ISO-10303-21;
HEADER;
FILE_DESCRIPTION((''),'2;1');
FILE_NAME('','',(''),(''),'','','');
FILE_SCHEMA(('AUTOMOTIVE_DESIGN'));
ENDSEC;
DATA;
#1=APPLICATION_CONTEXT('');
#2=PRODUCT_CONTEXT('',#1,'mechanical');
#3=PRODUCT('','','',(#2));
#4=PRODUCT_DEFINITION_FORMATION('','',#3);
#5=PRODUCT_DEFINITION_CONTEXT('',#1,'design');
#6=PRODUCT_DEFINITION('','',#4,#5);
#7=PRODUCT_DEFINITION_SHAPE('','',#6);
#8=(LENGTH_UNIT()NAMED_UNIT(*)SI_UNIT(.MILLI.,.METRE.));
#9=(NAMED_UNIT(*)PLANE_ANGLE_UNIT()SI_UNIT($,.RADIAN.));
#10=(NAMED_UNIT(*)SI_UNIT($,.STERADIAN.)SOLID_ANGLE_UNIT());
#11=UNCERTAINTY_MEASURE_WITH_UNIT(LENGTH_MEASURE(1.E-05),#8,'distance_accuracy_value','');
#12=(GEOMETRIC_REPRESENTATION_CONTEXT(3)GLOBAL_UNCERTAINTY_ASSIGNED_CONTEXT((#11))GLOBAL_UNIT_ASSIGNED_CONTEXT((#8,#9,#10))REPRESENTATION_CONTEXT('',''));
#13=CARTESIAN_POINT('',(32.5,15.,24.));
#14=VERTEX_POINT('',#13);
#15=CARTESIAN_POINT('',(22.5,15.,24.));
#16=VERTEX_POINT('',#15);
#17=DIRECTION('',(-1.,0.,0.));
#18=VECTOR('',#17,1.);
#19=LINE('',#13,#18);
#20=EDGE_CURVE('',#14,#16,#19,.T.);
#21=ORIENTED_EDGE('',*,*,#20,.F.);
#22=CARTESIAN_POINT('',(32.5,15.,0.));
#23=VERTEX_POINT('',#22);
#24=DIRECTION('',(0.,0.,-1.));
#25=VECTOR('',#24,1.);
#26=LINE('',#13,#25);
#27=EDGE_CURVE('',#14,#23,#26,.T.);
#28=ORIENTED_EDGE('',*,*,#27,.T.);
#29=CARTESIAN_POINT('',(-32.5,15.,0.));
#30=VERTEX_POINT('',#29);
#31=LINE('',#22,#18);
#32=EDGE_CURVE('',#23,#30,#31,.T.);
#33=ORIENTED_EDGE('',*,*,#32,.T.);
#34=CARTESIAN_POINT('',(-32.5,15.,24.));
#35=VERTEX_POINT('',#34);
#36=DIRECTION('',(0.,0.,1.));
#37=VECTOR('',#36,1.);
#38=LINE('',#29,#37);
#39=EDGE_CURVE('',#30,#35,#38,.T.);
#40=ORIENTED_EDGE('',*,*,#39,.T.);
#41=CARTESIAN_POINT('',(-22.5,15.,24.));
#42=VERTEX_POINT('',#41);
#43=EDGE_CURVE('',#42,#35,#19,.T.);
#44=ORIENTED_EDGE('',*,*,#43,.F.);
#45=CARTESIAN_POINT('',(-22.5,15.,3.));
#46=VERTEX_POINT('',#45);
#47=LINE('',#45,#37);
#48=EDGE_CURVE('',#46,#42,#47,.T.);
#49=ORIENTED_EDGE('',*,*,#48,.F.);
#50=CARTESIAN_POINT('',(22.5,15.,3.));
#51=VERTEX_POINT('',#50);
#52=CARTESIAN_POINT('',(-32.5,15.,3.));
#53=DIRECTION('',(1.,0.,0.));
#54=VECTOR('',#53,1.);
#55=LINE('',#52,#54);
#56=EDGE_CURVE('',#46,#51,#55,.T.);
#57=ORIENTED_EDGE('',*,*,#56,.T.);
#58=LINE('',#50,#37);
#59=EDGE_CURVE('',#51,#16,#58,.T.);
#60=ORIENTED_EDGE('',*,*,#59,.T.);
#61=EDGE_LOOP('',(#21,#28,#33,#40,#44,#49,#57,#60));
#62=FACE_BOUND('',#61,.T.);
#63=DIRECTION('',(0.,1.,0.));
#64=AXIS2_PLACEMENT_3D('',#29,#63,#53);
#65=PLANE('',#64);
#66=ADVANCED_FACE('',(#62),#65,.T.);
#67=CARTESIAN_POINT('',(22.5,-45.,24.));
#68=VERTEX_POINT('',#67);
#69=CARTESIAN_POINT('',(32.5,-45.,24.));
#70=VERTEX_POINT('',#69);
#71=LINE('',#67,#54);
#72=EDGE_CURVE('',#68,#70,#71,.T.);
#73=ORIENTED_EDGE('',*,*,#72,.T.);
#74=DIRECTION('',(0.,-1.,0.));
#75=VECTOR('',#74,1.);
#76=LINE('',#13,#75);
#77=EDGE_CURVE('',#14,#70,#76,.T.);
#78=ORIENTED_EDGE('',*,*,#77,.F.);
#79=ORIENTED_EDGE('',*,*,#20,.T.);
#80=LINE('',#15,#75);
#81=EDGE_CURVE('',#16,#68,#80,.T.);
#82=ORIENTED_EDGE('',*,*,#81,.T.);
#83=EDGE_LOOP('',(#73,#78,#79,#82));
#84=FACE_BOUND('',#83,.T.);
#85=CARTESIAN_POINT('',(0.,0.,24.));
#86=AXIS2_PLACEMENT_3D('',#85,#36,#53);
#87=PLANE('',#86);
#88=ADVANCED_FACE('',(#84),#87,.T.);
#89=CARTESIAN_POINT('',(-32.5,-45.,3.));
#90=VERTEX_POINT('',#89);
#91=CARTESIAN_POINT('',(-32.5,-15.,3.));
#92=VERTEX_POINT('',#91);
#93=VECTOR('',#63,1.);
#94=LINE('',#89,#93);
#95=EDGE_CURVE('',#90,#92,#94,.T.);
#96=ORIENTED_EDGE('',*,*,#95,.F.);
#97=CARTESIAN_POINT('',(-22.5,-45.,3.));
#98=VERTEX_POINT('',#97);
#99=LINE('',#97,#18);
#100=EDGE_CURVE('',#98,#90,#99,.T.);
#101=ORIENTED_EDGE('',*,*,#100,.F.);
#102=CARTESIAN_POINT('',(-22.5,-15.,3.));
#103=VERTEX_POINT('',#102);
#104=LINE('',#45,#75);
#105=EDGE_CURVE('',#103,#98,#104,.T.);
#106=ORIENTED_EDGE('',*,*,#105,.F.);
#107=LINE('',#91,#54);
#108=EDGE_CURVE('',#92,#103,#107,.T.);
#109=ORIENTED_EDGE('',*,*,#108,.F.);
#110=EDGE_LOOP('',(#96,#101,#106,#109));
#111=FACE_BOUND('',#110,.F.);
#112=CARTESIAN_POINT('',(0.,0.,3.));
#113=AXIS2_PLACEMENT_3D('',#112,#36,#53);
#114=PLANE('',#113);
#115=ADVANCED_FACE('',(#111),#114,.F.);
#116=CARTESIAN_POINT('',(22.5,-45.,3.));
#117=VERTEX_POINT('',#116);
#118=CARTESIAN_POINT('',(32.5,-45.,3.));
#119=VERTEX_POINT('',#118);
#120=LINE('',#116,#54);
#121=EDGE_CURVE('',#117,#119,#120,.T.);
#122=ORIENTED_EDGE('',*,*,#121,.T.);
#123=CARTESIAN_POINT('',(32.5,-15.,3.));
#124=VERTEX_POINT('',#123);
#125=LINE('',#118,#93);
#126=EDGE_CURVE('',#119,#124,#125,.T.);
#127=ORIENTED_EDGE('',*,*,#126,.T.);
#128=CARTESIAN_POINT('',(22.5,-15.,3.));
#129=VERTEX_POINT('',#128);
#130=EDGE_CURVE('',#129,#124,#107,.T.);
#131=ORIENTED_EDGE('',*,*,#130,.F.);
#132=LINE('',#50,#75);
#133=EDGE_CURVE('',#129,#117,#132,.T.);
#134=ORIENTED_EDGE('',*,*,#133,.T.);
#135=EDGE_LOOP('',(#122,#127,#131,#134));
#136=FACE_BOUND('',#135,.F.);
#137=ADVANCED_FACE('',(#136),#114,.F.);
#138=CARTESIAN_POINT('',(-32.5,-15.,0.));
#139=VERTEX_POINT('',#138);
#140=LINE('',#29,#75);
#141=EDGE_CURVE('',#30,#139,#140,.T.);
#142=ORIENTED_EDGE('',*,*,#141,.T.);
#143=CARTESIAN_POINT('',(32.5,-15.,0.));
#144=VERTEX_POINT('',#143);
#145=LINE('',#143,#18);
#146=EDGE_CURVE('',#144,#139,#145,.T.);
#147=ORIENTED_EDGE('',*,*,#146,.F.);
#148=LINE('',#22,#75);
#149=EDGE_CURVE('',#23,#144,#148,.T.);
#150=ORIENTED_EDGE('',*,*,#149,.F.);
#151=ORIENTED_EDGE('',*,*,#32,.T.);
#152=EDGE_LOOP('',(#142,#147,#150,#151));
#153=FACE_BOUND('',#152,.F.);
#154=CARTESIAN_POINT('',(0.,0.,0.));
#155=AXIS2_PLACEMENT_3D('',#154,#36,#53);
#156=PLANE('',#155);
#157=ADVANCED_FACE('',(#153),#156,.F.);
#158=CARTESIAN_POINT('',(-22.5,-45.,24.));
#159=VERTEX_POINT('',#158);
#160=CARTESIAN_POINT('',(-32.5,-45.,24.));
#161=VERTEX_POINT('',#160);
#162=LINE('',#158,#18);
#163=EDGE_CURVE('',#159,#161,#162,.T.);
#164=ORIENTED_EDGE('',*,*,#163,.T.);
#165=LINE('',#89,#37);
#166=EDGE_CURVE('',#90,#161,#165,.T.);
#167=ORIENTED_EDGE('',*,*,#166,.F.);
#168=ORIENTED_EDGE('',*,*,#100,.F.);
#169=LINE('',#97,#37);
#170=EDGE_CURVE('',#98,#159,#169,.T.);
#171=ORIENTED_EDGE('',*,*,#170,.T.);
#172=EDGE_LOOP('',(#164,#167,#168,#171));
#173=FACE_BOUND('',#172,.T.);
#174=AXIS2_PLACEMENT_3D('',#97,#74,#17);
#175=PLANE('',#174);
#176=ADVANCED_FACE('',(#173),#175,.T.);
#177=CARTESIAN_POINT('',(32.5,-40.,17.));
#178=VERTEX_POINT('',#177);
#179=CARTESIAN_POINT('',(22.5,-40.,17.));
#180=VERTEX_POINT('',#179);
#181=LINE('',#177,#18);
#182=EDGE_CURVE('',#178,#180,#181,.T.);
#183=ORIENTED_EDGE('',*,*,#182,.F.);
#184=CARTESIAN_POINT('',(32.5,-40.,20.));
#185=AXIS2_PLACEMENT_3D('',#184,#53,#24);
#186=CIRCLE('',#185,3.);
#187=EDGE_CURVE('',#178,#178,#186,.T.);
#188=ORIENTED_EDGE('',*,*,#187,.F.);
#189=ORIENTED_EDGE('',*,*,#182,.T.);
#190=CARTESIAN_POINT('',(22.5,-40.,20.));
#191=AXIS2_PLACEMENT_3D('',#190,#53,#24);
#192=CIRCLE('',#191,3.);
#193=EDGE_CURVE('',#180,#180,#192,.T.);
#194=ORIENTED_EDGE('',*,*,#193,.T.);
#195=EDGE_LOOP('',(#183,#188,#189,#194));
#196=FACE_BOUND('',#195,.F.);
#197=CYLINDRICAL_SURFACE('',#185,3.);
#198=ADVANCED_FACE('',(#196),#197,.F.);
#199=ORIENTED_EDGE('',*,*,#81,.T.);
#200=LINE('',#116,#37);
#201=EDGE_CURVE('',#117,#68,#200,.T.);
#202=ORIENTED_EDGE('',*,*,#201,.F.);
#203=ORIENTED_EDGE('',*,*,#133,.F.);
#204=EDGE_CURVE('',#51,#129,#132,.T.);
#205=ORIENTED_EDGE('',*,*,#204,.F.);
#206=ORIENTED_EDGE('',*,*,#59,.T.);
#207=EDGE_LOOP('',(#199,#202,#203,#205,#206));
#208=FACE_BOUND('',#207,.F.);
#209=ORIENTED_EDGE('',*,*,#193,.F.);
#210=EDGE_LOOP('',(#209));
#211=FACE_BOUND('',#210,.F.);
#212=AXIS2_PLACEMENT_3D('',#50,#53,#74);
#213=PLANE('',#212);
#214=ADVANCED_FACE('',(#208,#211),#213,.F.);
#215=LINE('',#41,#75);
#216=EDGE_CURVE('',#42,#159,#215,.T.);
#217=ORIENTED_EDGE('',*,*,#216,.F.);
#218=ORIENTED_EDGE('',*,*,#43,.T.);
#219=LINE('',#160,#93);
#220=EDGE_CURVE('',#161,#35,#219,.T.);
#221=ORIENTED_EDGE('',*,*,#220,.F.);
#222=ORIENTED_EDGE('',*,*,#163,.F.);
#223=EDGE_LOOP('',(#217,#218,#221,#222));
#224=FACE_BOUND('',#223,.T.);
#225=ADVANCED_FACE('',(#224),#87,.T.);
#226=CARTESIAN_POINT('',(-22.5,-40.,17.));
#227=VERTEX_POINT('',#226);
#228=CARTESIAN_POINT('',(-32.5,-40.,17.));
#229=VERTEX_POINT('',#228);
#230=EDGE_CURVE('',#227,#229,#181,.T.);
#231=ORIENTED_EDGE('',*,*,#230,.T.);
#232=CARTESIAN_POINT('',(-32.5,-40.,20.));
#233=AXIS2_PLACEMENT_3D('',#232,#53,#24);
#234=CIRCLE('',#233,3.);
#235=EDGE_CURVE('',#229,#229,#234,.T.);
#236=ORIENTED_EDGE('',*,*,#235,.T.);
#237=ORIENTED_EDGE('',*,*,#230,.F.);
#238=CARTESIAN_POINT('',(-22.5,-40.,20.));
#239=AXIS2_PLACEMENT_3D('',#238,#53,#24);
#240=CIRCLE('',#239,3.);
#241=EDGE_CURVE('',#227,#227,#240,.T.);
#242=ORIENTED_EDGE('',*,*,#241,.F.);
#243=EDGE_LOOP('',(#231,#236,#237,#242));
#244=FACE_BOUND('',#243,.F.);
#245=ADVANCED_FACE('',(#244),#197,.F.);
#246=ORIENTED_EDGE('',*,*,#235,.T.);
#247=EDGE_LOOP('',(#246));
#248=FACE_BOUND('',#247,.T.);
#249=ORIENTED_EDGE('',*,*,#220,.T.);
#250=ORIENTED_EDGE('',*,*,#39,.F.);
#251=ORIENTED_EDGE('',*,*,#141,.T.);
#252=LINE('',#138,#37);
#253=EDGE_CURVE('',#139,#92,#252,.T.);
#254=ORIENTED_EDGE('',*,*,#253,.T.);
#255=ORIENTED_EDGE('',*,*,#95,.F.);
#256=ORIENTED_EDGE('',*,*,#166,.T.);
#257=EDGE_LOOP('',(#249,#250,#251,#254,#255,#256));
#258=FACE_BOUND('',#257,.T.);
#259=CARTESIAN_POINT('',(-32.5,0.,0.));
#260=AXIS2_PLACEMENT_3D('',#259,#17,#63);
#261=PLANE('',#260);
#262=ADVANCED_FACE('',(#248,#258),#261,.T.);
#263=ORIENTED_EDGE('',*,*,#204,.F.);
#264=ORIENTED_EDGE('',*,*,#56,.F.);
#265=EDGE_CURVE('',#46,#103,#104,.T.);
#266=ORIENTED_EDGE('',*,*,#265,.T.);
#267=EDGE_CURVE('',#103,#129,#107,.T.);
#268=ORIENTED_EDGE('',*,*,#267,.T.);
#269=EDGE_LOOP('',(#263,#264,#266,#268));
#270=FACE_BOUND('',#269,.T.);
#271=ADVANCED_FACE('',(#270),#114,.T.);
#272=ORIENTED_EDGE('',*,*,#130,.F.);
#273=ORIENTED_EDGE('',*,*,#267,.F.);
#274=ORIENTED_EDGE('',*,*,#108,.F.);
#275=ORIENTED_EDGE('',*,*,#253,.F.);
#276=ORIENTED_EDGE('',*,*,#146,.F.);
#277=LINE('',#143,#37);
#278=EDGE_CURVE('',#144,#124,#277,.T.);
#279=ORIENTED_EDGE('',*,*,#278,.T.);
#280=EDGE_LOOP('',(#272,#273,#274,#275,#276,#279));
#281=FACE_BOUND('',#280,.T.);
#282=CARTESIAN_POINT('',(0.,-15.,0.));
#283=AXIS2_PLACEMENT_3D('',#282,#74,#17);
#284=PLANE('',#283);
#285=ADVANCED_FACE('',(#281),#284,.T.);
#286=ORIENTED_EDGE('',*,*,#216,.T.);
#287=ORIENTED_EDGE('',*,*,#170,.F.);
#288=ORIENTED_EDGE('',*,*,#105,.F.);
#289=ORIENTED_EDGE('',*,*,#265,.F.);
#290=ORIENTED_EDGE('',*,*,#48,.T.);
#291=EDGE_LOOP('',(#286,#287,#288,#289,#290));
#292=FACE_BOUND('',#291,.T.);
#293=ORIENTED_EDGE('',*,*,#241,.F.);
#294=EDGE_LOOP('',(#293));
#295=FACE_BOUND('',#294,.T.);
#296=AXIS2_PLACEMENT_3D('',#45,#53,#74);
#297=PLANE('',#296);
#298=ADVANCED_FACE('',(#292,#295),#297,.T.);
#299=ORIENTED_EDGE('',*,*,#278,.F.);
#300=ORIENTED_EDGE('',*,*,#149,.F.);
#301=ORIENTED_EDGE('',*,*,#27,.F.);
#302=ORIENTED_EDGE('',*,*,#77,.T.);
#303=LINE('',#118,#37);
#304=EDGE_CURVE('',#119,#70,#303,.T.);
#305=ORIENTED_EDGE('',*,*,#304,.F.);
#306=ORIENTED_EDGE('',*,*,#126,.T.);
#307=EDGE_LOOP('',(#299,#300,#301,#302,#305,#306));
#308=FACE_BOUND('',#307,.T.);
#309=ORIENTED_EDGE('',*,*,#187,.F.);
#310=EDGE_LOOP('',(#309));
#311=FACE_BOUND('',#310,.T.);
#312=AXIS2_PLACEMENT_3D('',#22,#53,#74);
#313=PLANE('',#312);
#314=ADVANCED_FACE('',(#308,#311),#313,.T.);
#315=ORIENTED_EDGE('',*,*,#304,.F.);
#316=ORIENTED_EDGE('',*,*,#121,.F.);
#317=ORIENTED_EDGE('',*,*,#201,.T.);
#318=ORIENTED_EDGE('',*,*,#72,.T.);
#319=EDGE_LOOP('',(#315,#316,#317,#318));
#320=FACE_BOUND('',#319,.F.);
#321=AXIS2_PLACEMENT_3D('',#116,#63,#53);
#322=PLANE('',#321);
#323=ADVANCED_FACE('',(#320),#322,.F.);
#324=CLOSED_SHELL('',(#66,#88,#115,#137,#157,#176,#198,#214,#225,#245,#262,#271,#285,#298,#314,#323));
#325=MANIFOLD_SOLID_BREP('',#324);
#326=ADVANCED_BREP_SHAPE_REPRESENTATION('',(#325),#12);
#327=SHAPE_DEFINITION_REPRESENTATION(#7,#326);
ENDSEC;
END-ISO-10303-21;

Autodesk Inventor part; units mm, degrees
ref_plane "YZ Plane" through (0, 0, 0) normal (1, 0, 0) x (0, 1, 0)
ref_plane "XZ Plane" through (0, 0, 0) normal (0, 1, 0) x (-1, 0, 0)
ref_plane "XY Plane" through (0, 0, 0) normal (0, 0, 1) x (1, 0, 0)
sketch "スケッチ1" plane through (0, 0, 0) normal (0, 0, 1) x (1, 0, 0)
  line L0 (-32.5, 15) -> (32.5, 15)
  line L1 (32.5, 15) -> (32.5, -15)
  line L2 (32.5, -15) -> (-32.5, -15)
  line L3 (-32.5, -15) -> (-32.5, 15)
  line L4 (-45.5, 0) -> (45.5, 0) projected
  line L5 (0, 21) -> (0, -21) projected
  point P0 (0, 0)
  dimension "d0" = 30
  dimension "d1" = 65
extrude "押し出し1" add sketch "スケッチ1" along normal blind 3
sketch "スケッチ2" plane through (0, 0, 3) normal (0, 0, 1) x (1, 0, 0)
  line L0 (32.5, 15) -> (-32.5, 15) projected
  line L1 (-32.5, 15) -> (-22.5, 15)
  line L2 (-22.5, 15) -> (-22.5, -45)
  line L3 (-22.5, -45) -> (-32.5, -45)
  line L4 (-32.5, -45) -> (-32.5, 15)
  line L5 (32.5, -15) -> (32.5, 15) projected
  line L6 (32.5, 15) -> (22.5, 15)
  line L7 (22.5, 15) -> (22.5, -45)
  line L8 (22.5, -45) -> (32.5, -45)
  line L9 (32.5, -45) -> (32.5, 15)
  point P0 (0, 0)
  dimension "d4" = 60
  dimension "d5" = 10
extrude "押し出し2" add sketch "スケッチ2" along normal blind 21
sketch "スケッチ3" plane through (32.5, -15, 0) normal (1, 0, 0) x (0, 0, -1)
  circle A0 centre (-20, -25) radius 3
  line L0 (-24, -30) -> (-24, 30) projected
  line L1 (-3, -30) -> (-24, -30) projected
  point P0 (0, 15)
  dimension "d8" = 4
  dimension "d9" = 5
  dimension "d10" = 6
extrude "押し出し3" cut sketch "スケッチ3" against normal up to surface (65 mm away)
properties part number "vacuum_cup_base"
